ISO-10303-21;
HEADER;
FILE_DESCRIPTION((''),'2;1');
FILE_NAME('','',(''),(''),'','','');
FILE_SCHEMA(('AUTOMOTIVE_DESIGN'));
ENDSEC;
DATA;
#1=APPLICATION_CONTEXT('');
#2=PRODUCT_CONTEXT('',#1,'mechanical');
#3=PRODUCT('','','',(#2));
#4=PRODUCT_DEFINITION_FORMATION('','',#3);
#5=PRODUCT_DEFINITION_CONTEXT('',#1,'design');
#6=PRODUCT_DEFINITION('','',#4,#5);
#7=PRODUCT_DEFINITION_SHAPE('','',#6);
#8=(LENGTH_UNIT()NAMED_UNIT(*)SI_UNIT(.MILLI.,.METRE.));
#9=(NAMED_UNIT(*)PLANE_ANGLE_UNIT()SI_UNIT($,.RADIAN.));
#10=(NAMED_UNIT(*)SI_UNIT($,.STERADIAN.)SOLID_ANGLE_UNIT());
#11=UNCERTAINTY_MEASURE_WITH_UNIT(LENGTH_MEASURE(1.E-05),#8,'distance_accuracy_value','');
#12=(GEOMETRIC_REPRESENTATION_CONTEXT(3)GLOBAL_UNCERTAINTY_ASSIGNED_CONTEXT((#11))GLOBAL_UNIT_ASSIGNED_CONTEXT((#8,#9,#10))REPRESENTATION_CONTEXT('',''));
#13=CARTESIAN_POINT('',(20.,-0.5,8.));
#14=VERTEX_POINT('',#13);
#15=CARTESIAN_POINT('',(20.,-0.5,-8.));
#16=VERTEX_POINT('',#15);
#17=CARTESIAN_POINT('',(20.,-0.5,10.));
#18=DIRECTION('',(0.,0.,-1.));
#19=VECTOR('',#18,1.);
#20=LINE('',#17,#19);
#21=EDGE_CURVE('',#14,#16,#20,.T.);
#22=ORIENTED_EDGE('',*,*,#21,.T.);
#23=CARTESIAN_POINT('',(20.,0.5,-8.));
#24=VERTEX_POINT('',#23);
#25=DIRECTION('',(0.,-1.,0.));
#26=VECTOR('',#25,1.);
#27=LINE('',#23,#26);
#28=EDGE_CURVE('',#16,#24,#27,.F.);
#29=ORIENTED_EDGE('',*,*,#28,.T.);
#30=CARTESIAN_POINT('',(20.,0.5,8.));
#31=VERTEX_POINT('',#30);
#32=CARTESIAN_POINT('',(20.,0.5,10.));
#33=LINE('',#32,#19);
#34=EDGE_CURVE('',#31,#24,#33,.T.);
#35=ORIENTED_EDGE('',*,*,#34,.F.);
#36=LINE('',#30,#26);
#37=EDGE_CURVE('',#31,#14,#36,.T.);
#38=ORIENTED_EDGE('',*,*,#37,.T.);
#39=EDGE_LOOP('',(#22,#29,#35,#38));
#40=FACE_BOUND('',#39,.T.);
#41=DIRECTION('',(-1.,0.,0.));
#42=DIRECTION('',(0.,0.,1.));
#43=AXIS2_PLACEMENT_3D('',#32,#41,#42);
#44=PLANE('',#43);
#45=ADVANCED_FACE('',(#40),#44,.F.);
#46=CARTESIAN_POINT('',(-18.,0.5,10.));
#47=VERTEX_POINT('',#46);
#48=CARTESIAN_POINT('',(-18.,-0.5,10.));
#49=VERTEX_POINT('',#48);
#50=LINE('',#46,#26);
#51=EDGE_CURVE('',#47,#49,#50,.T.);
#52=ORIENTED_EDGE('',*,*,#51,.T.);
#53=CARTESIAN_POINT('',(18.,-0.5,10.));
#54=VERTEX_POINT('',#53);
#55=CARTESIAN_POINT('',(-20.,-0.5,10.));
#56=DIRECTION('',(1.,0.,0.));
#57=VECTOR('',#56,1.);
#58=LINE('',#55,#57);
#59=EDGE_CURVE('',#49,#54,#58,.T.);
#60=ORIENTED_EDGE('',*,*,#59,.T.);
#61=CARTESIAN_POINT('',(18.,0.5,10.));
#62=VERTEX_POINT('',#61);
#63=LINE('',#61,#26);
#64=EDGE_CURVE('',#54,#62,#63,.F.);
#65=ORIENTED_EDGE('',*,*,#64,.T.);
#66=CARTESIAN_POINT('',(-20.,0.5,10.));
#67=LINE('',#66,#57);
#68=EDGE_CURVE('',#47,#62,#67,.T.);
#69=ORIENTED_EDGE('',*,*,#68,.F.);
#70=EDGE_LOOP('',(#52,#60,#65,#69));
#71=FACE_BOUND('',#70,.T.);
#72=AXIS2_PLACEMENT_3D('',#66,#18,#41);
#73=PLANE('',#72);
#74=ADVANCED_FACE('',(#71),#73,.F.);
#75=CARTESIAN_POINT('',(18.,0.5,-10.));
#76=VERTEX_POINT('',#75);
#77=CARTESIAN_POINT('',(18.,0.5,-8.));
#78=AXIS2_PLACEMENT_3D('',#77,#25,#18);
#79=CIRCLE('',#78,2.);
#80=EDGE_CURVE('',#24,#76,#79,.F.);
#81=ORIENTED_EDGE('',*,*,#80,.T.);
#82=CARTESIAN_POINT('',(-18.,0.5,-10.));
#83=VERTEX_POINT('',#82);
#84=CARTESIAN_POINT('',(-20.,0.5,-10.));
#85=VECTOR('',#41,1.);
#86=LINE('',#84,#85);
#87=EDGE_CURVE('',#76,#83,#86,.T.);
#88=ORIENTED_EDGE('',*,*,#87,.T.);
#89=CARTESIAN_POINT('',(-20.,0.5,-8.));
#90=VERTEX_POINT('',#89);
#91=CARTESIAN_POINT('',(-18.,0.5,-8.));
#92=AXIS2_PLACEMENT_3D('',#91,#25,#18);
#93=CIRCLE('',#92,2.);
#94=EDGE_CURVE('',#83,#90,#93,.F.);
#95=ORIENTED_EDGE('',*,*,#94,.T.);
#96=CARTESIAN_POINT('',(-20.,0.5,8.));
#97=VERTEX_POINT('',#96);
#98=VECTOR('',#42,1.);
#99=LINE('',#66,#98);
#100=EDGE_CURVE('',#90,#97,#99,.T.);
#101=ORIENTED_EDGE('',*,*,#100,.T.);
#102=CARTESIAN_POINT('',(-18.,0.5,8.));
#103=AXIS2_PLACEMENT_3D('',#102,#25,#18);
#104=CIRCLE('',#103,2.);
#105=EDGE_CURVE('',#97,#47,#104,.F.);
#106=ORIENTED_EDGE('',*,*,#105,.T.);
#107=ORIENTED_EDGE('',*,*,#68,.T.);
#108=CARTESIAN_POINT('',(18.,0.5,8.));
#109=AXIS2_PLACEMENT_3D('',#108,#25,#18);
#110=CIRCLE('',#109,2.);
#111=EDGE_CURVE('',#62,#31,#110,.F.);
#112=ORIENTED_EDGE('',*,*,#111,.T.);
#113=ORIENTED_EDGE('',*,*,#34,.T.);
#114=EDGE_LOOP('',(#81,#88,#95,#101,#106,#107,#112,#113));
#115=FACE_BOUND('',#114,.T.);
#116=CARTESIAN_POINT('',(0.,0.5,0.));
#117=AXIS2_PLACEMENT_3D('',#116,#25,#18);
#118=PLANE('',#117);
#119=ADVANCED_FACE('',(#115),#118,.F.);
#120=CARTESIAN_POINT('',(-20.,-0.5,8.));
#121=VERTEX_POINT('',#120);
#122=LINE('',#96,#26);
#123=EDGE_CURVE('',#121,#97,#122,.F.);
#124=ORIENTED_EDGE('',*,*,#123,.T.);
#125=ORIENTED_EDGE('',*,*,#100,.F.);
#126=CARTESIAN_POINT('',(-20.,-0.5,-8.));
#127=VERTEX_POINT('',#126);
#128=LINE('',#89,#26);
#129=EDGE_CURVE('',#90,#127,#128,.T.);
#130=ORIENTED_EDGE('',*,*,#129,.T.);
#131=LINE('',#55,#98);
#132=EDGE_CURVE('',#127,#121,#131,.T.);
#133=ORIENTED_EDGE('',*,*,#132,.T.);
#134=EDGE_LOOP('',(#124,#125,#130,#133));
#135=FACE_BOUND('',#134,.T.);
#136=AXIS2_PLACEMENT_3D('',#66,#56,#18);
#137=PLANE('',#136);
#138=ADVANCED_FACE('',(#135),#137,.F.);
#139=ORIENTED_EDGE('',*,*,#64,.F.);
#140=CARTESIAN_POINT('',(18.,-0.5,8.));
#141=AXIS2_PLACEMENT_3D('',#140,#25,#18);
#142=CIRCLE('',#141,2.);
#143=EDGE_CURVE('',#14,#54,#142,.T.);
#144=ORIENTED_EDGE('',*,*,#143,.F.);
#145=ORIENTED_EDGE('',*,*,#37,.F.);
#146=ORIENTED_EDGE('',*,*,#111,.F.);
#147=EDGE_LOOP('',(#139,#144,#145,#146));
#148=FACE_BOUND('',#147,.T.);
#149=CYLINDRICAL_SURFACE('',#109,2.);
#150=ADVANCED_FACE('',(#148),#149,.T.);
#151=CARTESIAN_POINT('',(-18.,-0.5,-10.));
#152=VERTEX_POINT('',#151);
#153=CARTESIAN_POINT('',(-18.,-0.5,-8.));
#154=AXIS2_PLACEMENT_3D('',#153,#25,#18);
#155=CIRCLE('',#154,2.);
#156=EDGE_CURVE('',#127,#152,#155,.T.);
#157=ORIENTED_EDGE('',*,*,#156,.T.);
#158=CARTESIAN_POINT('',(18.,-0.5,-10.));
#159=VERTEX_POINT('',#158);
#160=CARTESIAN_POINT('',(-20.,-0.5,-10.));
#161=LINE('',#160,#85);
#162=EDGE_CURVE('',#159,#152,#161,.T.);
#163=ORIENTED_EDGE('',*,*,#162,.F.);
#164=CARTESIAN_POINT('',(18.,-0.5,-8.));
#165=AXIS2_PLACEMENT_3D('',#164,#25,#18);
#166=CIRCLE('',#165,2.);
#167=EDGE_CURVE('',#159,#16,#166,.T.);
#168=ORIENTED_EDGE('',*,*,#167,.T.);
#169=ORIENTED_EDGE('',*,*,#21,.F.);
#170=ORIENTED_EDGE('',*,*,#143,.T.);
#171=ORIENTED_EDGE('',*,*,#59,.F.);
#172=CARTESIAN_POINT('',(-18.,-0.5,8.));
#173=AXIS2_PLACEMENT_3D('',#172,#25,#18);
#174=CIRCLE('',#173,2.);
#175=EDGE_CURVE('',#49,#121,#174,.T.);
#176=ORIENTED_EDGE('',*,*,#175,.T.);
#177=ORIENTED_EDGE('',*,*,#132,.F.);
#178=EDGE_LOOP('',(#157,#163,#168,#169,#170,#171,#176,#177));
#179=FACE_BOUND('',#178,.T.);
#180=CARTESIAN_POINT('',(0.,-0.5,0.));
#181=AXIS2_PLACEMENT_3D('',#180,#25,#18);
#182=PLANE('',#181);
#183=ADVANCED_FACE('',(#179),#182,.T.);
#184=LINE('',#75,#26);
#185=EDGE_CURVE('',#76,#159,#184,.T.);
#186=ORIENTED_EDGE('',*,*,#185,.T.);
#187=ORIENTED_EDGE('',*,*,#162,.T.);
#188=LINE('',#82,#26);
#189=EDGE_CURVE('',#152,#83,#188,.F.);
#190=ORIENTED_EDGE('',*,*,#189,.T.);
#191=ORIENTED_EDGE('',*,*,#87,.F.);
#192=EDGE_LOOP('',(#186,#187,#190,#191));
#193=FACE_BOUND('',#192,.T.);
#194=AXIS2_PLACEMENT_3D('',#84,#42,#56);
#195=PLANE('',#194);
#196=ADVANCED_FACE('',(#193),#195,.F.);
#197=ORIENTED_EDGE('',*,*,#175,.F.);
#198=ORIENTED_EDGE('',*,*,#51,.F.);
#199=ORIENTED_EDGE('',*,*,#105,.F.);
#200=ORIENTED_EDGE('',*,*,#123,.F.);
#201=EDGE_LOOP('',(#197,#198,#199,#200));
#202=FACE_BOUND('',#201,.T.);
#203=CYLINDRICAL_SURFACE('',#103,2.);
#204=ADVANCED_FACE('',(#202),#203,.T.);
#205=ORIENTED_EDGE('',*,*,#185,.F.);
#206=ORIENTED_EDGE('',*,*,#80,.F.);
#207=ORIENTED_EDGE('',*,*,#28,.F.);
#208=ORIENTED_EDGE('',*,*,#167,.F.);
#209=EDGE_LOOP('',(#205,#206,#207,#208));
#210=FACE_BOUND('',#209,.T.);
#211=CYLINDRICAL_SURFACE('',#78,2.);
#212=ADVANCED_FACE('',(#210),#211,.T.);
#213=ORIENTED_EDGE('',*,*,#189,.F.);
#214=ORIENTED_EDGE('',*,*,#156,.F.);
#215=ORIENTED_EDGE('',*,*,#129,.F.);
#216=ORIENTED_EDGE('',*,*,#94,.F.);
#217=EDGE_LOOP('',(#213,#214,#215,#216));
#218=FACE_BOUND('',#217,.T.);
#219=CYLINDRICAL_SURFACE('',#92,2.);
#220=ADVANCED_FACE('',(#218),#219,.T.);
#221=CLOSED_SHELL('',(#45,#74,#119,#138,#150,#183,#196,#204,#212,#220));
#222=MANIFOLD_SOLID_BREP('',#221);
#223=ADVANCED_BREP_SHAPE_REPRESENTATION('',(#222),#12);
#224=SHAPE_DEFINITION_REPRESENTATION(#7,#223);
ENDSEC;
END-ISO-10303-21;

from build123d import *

# Parameters (mm, degrees)
SKETCH1_W           = 40
SKETCH1_H           = 20
BOSS_EXTRUDE1_DEPTH = 0.5
FILLET1_R           = 2


with BuildPart() as part:
    # Sketch1 → Boss-Extrude1 (new, symmetric)
    with BuildSketch(Plane(origin=(0, 0, 0), x_dir=(1, 0, 0), z_dir=(0, 1, 0))):
        Rectangle(SKETCH1_W, SKETCH1_H)
    extrude(amount=BOSS_EXTRUDE1_DEPTH, both=True)

    # Fillet1
    fillet1_edges = [part.edges().sort_by_distance(p)[0] for p in [
        (20, 0, 10),
        (-20, 0, 10),
        (-20, 0, -10),
        (20, 0, -10),
    ]]
    fillet(fillet1_edges, radius=FILLET1_R)


solid = part.part
